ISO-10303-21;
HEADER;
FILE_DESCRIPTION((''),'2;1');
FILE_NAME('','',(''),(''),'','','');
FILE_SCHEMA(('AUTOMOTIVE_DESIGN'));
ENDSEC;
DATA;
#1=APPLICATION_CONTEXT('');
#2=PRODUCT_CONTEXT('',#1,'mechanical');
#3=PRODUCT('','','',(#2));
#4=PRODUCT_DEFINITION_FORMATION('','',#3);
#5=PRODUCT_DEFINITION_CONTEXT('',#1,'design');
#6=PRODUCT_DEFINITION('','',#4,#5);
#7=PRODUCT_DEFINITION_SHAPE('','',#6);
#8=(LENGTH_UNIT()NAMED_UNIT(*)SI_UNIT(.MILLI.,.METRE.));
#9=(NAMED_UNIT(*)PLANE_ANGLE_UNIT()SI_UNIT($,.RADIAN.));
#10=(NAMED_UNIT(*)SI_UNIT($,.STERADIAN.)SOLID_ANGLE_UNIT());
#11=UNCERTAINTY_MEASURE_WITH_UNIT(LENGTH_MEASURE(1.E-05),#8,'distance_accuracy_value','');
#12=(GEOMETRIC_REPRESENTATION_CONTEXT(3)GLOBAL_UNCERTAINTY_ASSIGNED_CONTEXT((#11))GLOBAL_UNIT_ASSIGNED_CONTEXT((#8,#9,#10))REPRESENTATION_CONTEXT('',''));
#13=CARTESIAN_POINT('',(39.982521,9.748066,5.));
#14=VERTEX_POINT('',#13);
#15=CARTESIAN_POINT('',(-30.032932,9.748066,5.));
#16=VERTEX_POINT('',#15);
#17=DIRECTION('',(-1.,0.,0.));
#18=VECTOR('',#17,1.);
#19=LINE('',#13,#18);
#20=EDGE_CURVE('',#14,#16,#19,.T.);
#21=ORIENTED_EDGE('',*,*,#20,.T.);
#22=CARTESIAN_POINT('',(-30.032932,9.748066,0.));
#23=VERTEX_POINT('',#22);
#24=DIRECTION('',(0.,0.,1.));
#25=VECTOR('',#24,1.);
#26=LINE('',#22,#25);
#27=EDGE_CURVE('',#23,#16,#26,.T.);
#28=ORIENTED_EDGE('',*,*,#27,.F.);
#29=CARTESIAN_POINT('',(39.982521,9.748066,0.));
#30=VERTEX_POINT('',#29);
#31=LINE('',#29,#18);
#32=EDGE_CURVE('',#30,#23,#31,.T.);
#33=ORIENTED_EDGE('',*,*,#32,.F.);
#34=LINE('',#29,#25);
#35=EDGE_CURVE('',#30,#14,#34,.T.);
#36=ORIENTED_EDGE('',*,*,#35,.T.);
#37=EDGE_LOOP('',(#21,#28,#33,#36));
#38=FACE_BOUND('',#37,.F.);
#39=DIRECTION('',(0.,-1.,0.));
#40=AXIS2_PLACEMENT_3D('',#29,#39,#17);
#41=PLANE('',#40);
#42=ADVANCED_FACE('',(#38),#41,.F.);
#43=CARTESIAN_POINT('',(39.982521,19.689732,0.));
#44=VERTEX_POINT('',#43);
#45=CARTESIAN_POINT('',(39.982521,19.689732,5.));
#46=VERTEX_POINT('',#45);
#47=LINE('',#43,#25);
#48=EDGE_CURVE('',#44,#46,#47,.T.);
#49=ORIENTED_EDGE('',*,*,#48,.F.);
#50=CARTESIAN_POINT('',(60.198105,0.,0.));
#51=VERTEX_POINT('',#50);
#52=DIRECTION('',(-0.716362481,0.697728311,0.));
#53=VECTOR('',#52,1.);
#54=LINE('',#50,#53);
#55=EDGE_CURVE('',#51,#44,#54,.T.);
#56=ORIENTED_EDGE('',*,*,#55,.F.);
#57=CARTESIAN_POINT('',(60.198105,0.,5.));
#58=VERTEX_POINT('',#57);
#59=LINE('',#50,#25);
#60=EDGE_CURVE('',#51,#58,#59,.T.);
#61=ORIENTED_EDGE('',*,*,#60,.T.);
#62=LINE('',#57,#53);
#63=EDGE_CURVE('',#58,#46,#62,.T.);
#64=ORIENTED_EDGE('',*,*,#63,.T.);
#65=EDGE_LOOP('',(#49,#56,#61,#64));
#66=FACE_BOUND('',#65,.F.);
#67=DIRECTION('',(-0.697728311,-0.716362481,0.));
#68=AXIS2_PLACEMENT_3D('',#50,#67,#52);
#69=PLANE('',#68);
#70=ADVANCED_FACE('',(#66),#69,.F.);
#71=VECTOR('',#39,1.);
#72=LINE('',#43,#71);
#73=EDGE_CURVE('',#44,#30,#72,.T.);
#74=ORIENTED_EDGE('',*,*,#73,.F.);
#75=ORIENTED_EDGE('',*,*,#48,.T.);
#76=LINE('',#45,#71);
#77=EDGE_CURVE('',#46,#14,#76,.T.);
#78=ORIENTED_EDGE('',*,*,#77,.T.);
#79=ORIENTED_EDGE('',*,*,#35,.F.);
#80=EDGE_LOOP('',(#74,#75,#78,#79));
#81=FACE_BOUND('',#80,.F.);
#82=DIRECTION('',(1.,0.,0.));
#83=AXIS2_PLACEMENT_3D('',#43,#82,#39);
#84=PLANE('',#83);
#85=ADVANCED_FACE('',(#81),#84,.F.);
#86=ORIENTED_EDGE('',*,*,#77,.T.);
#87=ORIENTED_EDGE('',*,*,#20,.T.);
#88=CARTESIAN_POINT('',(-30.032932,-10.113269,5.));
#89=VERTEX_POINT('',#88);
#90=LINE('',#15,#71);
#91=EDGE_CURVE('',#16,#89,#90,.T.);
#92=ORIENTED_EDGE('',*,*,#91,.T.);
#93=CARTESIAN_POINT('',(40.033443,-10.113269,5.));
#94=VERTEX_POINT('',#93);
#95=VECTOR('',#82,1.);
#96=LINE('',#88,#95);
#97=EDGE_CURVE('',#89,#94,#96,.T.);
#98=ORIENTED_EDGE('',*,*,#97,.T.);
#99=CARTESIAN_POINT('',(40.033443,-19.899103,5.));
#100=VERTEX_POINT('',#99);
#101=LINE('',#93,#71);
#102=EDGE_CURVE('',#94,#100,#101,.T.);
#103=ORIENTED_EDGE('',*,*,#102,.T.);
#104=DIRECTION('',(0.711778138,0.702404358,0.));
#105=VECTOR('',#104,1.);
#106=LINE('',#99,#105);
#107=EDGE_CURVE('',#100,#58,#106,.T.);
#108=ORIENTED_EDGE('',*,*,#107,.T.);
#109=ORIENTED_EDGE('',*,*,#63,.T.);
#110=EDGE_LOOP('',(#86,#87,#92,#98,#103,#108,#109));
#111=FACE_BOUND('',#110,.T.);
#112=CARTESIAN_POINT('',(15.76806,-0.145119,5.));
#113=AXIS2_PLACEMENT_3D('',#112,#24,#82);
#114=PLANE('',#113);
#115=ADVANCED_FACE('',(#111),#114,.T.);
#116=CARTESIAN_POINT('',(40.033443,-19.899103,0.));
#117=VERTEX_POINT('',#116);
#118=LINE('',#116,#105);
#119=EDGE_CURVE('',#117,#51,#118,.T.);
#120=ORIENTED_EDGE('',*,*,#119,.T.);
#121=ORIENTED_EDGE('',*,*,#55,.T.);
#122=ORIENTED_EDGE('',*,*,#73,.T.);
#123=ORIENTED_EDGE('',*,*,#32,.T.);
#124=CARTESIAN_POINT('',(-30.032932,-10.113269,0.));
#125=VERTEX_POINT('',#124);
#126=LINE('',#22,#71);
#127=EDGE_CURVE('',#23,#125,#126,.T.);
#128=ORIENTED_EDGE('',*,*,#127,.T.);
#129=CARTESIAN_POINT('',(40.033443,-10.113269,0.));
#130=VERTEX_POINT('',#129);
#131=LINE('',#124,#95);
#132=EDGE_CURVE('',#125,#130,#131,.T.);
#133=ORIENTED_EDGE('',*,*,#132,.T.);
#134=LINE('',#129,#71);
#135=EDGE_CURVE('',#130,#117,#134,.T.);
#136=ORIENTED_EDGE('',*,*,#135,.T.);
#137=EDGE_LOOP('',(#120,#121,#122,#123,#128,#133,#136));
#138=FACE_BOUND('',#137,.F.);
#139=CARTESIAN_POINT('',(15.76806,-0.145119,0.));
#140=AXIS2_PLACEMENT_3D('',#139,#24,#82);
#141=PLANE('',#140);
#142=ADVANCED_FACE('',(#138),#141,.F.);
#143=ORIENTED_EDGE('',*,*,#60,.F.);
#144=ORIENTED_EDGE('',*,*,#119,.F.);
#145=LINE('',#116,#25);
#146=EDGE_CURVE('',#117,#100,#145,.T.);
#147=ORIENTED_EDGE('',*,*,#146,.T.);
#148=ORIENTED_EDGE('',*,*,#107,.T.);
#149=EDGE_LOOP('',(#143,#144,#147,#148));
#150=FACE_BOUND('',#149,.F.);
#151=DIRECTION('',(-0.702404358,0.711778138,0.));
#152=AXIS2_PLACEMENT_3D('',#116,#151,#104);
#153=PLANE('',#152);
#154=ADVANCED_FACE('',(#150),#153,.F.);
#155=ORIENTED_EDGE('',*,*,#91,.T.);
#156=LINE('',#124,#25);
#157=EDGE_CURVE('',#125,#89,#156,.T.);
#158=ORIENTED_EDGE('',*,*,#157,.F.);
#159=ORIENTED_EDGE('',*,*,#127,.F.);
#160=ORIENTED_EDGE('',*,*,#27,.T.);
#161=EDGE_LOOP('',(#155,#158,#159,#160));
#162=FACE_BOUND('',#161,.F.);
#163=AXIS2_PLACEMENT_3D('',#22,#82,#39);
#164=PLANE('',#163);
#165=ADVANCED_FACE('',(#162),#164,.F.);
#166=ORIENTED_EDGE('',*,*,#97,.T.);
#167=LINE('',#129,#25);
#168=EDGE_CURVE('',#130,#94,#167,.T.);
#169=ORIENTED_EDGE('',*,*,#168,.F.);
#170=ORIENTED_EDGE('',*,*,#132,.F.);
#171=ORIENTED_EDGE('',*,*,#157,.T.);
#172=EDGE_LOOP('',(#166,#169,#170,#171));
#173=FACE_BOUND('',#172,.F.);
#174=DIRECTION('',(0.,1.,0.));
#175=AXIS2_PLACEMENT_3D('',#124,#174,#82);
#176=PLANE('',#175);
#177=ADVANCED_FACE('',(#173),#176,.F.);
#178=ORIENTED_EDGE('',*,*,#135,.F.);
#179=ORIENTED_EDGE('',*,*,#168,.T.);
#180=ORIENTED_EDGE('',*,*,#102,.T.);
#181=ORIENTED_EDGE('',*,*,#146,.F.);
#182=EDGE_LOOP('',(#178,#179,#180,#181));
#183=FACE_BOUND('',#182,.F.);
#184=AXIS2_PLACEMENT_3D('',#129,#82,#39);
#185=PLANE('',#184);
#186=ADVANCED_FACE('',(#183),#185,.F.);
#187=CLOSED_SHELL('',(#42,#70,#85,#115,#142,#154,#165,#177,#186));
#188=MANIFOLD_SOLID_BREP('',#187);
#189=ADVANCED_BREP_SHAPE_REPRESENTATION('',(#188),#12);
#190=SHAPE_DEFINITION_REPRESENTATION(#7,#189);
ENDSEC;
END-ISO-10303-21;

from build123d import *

# Parameters (mm, degrees)
PAD_DEPTH = 5


with BuildPart() as part:
    # Sketch → Pad (new body)
    with BuildSketch(Plane.XY):
        Polygon((-30.032932, 9.748066), (-30.032932, -10.113269), (40.033443, -10.113269), (40.033443, -19.899103), (60.198105, 0), (39.982521, 19.689732), (39.982521, 9.748066), align=None)
    extrude(amount=PAD_DEPTH)


solid = part.part
